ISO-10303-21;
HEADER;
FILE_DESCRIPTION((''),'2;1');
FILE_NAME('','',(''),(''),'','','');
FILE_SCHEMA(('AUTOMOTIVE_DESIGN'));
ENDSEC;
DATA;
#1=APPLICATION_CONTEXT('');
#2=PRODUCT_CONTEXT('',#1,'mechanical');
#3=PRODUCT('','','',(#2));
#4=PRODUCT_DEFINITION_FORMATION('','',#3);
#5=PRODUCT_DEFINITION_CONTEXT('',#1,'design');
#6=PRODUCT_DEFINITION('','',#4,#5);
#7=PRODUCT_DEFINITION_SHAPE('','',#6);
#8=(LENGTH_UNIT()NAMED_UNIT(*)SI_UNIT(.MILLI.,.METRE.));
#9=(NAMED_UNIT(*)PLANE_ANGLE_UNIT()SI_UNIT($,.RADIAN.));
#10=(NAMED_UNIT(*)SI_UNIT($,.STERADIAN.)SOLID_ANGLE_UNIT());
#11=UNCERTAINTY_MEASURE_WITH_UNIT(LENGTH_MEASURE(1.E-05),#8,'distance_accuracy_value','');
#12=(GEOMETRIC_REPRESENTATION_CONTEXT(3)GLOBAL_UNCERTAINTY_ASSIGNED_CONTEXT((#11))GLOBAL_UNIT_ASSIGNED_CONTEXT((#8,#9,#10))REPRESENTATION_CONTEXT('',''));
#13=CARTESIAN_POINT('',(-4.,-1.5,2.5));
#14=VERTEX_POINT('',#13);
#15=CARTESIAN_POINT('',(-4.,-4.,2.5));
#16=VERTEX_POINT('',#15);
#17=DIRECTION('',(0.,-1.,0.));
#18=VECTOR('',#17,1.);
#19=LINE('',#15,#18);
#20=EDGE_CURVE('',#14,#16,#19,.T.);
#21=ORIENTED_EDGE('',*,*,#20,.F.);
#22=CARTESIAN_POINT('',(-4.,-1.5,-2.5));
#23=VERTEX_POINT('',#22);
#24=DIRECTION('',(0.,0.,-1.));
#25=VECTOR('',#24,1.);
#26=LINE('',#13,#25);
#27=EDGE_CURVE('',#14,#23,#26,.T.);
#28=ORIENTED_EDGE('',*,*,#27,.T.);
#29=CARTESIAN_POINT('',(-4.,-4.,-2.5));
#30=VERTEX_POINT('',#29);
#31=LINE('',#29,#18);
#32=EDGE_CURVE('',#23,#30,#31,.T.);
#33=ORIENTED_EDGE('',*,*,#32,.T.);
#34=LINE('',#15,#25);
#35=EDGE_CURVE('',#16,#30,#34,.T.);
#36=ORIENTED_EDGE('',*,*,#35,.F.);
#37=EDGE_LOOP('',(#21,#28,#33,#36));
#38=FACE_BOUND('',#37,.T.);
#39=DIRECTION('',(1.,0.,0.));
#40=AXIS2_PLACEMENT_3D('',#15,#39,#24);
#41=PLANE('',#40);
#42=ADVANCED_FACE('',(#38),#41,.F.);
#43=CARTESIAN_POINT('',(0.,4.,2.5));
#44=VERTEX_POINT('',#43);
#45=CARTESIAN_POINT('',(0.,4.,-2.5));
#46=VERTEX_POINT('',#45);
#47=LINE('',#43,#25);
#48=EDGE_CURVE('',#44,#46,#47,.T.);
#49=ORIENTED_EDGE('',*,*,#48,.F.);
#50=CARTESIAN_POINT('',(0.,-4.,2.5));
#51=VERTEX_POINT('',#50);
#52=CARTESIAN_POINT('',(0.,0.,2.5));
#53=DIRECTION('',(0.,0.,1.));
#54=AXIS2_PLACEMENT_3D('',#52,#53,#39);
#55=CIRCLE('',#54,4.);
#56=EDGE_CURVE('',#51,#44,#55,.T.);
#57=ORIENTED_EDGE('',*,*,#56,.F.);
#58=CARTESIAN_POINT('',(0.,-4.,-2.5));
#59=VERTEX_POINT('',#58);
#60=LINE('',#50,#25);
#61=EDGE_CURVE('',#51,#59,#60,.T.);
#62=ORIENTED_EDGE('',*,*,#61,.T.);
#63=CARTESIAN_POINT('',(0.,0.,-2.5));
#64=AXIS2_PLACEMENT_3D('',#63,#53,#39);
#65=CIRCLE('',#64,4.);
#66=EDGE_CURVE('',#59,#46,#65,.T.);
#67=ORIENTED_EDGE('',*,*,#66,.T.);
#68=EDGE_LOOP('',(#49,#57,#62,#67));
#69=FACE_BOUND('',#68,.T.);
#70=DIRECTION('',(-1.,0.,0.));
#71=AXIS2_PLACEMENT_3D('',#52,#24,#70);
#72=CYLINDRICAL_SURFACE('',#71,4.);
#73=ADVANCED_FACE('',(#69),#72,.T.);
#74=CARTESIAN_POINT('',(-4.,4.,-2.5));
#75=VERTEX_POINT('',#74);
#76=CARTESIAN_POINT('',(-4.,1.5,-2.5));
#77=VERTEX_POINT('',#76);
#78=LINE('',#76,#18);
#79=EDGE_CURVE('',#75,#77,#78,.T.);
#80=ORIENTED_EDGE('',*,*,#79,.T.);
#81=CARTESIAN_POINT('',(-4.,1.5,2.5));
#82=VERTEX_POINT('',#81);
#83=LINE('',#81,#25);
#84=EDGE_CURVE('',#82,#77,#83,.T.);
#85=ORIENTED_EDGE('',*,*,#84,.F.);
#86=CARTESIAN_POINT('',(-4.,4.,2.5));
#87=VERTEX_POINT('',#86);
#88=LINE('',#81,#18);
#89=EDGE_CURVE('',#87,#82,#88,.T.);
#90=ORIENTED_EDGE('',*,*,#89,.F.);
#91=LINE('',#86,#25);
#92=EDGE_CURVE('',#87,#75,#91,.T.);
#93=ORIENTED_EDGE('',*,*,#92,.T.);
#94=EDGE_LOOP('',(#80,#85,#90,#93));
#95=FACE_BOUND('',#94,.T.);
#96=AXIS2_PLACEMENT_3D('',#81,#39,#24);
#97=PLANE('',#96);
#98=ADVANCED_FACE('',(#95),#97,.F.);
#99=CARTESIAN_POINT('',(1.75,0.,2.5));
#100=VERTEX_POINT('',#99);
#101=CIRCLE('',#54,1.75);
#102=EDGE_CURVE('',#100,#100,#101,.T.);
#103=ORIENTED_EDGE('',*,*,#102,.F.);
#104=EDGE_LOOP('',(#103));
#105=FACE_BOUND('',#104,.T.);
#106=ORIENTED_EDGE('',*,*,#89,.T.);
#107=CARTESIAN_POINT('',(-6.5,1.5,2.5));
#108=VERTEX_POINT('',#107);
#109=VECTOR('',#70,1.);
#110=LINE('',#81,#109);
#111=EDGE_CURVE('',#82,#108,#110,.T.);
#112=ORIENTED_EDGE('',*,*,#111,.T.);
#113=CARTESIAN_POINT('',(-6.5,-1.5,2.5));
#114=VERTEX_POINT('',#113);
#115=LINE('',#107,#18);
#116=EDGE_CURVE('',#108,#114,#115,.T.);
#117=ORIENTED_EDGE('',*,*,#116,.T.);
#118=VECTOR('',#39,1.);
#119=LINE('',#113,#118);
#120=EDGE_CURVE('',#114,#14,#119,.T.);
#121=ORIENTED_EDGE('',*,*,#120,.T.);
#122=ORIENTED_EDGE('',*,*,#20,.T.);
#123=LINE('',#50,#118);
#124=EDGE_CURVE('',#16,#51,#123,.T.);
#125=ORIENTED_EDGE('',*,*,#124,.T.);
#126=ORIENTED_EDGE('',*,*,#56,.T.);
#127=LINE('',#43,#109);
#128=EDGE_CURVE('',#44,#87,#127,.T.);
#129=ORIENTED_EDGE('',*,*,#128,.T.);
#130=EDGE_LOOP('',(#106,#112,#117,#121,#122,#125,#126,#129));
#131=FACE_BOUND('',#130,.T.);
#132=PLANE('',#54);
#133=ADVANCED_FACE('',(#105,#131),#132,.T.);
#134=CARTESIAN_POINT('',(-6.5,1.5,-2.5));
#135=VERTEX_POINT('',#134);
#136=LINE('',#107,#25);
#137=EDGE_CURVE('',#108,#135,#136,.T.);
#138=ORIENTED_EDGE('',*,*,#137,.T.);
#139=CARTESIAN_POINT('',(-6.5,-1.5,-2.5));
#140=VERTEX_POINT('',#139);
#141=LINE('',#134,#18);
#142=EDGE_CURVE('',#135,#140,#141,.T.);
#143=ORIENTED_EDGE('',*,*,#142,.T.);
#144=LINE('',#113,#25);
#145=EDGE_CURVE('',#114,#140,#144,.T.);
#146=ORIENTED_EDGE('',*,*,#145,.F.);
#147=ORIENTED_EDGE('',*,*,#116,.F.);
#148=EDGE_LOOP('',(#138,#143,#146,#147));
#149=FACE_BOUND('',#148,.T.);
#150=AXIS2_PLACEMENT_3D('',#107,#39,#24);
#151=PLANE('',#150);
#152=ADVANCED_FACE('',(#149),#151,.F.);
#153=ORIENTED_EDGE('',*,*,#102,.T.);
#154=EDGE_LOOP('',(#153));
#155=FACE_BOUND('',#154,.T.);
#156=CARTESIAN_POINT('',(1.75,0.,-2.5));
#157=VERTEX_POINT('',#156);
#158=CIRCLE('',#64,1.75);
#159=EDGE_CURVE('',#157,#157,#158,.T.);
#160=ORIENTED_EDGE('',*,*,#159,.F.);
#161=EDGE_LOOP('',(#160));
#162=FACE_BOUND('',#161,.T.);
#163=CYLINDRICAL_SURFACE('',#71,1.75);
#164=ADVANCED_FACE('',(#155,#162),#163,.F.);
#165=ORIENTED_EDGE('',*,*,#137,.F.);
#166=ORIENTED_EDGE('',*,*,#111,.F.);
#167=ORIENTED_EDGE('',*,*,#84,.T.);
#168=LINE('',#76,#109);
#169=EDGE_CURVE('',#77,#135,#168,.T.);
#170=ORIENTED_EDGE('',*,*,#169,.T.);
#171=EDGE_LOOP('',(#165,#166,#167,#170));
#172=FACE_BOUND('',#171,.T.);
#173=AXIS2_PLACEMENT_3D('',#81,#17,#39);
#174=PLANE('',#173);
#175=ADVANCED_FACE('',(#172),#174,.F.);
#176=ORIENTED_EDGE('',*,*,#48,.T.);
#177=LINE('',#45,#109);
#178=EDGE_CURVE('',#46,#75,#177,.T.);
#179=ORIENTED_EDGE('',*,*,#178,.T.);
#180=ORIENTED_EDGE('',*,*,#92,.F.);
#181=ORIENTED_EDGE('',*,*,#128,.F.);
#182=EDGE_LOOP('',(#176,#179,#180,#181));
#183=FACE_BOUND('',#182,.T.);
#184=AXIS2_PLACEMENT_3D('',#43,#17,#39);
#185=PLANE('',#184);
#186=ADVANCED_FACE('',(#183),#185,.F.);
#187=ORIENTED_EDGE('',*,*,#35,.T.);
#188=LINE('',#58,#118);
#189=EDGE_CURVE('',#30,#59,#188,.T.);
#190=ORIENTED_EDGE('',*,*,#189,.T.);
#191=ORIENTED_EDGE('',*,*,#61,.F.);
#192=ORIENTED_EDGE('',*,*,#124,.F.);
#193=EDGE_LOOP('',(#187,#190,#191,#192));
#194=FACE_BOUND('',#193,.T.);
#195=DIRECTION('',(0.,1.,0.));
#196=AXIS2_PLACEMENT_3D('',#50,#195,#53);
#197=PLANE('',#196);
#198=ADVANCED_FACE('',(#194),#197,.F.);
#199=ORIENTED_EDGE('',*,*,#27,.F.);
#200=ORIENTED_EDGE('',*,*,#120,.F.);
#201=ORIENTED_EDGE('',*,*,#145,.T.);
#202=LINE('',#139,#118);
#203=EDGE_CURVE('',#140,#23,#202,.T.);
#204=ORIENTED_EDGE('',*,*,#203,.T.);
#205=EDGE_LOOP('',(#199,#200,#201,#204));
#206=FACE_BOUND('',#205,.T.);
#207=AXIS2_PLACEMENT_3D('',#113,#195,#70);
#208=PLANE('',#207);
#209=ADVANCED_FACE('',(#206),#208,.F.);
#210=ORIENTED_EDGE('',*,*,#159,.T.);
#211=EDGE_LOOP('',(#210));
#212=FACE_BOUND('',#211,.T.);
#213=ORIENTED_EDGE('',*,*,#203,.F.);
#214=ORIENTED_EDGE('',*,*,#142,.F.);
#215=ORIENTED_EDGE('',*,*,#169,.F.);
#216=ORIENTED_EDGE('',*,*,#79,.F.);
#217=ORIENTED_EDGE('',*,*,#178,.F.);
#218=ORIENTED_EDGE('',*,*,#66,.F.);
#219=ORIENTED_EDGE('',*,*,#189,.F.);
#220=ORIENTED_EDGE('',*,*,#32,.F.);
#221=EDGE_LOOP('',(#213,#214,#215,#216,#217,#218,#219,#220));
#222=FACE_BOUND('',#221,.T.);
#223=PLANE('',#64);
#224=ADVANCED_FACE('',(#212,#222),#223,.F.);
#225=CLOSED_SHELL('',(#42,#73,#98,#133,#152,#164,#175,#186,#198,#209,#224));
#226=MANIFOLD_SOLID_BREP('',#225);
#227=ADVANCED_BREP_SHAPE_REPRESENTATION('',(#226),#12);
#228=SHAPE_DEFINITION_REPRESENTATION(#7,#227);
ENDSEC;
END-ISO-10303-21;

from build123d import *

# Parameters (mm, degrees)
CROQUIS1_R              = 1.75
SALIENTE_EXTRUIR1_DEPTH = 2.5


with BuildPart() as part:
    # Croquis1 → Saliente-Extruir1 (new, symmetric)
    with BuildSketch(Plane.XY):
        with BuildLine():
            Line((0, -4), (-4, -4))
            Line((-4, -4), (-4, -1.5))
            Line((-4, -1.5), (-6.5, -1.5))
            Line((-6.5, -1.5), (-6.5, 1.5))
            Line((-6.5, 1.5), (-4, 1.5))
            Line((-4, 1.5), (-4, 4))
            Line((-4, 4), (0, 4))
            ThreePointArc((0, 4), (4, 0), (0, -4))
        make_face()
        Circle(CROQUIS1_R, mode=Mode.SUBTRACT)
    extrude(amount=SALIENTE_EXTRUIR1_DEPTH, both=True)


solid = part.part
